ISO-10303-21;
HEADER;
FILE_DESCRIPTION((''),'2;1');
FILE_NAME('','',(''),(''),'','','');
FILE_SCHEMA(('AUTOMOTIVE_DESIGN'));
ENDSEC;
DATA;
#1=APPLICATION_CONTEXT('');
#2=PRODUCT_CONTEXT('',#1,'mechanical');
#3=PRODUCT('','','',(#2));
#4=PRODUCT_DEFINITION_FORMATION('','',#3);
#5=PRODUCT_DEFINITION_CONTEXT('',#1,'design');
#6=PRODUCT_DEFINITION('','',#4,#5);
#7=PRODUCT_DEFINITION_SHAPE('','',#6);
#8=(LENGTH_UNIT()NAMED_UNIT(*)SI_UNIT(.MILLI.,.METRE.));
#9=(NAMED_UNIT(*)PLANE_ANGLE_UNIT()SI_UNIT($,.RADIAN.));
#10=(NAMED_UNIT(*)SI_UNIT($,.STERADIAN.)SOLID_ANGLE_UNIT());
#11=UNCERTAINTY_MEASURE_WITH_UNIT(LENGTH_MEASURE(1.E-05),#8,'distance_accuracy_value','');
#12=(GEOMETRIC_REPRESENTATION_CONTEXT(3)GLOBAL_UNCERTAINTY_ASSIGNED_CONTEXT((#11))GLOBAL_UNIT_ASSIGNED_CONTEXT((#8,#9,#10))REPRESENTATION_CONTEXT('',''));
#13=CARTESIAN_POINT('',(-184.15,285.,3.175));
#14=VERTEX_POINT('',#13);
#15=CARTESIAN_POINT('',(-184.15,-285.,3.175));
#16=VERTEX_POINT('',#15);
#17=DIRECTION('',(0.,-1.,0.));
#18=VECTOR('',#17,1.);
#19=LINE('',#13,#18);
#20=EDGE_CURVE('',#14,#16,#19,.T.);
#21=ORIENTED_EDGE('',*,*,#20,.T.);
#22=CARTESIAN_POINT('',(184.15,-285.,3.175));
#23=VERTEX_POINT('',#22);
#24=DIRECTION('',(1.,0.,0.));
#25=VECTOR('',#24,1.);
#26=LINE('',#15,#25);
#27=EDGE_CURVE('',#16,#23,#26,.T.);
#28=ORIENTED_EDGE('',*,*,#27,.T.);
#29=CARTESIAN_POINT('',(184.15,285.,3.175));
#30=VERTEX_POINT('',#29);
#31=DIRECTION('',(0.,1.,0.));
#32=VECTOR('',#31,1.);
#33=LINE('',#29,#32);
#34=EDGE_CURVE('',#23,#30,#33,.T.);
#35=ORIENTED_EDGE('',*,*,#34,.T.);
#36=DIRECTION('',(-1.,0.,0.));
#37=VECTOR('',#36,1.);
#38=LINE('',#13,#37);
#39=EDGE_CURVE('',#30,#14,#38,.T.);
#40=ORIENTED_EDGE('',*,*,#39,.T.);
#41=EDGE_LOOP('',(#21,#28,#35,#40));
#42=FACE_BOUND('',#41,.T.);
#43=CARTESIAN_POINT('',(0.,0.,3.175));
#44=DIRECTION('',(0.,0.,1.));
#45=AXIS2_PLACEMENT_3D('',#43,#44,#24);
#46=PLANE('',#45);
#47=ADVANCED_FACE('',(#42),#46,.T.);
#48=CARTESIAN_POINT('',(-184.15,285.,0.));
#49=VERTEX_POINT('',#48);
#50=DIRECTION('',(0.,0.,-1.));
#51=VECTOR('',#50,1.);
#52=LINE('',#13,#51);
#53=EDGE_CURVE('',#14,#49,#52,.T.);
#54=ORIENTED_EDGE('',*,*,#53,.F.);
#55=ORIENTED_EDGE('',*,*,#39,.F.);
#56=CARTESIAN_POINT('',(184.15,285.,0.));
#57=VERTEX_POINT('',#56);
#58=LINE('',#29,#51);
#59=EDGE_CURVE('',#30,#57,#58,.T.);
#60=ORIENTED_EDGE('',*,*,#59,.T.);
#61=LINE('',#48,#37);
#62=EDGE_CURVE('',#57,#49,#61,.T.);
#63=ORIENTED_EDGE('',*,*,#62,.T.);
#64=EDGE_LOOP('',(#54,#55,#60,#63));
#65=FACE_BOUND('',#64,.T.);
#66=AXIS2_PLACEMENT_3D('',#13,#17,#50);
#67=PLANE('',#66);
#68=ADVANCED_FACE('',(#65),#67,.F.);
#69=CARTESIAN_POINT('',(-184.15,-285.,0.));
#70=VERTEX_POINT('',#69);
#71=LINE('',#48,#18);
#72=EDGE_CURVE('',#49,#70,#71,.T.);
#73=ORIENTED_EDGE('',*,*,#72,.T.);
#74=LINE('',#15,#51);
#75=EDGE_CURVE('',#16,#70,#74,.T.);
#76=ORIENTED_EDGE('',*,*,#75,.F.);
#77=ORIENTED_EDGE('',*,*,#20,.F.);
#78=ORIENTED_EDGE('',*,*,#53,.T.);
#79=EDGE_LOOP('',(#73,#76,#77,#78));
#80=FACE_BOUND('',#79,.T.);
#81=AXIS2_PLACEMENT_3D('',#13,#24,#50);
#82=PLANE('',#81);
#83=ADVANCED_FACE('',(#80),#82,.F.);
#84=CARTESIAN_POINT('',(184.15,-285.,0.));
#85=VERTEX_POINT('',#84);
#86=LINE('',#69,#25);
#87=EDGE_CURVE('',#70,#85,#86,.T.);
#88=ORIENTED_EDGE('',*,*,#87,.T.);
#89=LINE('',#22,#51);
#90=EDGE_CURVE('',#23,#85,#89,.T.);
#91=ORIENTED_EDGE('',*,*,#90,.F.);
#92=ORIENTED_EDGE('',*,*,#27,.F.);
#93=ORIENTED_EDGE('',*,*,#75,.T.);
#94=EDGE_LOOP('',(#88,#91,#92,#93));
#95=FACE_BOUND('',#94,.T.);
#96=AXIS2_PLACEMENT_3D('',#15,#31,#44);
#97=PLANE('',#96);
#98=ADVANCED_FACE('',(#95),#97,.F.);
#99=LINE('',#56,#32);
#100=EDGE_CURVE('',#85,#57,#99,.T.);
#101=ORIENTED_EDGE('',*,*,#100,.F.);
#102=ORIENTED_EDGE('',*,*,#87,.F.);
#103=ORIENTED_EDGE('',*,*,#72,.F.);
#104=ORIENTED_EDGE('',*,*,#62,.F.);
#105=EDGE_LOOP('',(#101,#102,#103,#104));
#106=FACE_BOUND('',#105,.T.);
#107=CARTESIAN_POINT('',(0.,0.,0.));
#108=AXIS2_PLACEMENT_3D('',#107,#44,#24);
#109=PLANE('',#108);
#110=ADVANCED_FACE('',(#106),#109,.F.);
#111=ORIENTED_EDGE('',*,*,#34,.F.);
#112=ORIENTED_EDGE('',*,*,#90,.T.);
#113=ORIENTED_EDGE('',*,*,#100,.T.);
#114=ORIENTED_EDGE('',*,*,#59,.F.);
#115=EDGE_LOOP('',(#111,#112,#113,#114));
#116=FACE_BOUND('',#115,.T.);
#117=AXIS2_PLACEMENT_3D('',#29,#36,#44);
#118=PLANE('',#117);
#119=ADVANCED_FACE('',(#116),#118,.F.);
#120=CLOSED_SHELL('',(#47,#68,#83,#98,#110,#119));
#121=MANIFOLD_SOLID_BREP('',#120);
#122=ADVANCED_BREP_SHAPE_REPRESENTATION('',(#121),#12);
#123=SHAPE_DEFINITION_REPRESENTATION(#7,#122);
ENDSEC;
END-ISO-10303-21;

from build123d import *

# Parameters (mm, degrees)
ESQUISSE1_W        = 368.3
ESQUISSE1_H        = 570
BOSS_EXTRU_1_DEPTH = 3.175


with BuildPart() as part:
    # Esquisse1 → Boss.-Extru.1 (new body)
    with BuildSketch(Plane.XY):
        Rectangle(ESQUISSE1_W, ESQUISSE1_H)
    extrude(amount=BOSS_EXTRU_1_DEPTH)


solid = part.part
